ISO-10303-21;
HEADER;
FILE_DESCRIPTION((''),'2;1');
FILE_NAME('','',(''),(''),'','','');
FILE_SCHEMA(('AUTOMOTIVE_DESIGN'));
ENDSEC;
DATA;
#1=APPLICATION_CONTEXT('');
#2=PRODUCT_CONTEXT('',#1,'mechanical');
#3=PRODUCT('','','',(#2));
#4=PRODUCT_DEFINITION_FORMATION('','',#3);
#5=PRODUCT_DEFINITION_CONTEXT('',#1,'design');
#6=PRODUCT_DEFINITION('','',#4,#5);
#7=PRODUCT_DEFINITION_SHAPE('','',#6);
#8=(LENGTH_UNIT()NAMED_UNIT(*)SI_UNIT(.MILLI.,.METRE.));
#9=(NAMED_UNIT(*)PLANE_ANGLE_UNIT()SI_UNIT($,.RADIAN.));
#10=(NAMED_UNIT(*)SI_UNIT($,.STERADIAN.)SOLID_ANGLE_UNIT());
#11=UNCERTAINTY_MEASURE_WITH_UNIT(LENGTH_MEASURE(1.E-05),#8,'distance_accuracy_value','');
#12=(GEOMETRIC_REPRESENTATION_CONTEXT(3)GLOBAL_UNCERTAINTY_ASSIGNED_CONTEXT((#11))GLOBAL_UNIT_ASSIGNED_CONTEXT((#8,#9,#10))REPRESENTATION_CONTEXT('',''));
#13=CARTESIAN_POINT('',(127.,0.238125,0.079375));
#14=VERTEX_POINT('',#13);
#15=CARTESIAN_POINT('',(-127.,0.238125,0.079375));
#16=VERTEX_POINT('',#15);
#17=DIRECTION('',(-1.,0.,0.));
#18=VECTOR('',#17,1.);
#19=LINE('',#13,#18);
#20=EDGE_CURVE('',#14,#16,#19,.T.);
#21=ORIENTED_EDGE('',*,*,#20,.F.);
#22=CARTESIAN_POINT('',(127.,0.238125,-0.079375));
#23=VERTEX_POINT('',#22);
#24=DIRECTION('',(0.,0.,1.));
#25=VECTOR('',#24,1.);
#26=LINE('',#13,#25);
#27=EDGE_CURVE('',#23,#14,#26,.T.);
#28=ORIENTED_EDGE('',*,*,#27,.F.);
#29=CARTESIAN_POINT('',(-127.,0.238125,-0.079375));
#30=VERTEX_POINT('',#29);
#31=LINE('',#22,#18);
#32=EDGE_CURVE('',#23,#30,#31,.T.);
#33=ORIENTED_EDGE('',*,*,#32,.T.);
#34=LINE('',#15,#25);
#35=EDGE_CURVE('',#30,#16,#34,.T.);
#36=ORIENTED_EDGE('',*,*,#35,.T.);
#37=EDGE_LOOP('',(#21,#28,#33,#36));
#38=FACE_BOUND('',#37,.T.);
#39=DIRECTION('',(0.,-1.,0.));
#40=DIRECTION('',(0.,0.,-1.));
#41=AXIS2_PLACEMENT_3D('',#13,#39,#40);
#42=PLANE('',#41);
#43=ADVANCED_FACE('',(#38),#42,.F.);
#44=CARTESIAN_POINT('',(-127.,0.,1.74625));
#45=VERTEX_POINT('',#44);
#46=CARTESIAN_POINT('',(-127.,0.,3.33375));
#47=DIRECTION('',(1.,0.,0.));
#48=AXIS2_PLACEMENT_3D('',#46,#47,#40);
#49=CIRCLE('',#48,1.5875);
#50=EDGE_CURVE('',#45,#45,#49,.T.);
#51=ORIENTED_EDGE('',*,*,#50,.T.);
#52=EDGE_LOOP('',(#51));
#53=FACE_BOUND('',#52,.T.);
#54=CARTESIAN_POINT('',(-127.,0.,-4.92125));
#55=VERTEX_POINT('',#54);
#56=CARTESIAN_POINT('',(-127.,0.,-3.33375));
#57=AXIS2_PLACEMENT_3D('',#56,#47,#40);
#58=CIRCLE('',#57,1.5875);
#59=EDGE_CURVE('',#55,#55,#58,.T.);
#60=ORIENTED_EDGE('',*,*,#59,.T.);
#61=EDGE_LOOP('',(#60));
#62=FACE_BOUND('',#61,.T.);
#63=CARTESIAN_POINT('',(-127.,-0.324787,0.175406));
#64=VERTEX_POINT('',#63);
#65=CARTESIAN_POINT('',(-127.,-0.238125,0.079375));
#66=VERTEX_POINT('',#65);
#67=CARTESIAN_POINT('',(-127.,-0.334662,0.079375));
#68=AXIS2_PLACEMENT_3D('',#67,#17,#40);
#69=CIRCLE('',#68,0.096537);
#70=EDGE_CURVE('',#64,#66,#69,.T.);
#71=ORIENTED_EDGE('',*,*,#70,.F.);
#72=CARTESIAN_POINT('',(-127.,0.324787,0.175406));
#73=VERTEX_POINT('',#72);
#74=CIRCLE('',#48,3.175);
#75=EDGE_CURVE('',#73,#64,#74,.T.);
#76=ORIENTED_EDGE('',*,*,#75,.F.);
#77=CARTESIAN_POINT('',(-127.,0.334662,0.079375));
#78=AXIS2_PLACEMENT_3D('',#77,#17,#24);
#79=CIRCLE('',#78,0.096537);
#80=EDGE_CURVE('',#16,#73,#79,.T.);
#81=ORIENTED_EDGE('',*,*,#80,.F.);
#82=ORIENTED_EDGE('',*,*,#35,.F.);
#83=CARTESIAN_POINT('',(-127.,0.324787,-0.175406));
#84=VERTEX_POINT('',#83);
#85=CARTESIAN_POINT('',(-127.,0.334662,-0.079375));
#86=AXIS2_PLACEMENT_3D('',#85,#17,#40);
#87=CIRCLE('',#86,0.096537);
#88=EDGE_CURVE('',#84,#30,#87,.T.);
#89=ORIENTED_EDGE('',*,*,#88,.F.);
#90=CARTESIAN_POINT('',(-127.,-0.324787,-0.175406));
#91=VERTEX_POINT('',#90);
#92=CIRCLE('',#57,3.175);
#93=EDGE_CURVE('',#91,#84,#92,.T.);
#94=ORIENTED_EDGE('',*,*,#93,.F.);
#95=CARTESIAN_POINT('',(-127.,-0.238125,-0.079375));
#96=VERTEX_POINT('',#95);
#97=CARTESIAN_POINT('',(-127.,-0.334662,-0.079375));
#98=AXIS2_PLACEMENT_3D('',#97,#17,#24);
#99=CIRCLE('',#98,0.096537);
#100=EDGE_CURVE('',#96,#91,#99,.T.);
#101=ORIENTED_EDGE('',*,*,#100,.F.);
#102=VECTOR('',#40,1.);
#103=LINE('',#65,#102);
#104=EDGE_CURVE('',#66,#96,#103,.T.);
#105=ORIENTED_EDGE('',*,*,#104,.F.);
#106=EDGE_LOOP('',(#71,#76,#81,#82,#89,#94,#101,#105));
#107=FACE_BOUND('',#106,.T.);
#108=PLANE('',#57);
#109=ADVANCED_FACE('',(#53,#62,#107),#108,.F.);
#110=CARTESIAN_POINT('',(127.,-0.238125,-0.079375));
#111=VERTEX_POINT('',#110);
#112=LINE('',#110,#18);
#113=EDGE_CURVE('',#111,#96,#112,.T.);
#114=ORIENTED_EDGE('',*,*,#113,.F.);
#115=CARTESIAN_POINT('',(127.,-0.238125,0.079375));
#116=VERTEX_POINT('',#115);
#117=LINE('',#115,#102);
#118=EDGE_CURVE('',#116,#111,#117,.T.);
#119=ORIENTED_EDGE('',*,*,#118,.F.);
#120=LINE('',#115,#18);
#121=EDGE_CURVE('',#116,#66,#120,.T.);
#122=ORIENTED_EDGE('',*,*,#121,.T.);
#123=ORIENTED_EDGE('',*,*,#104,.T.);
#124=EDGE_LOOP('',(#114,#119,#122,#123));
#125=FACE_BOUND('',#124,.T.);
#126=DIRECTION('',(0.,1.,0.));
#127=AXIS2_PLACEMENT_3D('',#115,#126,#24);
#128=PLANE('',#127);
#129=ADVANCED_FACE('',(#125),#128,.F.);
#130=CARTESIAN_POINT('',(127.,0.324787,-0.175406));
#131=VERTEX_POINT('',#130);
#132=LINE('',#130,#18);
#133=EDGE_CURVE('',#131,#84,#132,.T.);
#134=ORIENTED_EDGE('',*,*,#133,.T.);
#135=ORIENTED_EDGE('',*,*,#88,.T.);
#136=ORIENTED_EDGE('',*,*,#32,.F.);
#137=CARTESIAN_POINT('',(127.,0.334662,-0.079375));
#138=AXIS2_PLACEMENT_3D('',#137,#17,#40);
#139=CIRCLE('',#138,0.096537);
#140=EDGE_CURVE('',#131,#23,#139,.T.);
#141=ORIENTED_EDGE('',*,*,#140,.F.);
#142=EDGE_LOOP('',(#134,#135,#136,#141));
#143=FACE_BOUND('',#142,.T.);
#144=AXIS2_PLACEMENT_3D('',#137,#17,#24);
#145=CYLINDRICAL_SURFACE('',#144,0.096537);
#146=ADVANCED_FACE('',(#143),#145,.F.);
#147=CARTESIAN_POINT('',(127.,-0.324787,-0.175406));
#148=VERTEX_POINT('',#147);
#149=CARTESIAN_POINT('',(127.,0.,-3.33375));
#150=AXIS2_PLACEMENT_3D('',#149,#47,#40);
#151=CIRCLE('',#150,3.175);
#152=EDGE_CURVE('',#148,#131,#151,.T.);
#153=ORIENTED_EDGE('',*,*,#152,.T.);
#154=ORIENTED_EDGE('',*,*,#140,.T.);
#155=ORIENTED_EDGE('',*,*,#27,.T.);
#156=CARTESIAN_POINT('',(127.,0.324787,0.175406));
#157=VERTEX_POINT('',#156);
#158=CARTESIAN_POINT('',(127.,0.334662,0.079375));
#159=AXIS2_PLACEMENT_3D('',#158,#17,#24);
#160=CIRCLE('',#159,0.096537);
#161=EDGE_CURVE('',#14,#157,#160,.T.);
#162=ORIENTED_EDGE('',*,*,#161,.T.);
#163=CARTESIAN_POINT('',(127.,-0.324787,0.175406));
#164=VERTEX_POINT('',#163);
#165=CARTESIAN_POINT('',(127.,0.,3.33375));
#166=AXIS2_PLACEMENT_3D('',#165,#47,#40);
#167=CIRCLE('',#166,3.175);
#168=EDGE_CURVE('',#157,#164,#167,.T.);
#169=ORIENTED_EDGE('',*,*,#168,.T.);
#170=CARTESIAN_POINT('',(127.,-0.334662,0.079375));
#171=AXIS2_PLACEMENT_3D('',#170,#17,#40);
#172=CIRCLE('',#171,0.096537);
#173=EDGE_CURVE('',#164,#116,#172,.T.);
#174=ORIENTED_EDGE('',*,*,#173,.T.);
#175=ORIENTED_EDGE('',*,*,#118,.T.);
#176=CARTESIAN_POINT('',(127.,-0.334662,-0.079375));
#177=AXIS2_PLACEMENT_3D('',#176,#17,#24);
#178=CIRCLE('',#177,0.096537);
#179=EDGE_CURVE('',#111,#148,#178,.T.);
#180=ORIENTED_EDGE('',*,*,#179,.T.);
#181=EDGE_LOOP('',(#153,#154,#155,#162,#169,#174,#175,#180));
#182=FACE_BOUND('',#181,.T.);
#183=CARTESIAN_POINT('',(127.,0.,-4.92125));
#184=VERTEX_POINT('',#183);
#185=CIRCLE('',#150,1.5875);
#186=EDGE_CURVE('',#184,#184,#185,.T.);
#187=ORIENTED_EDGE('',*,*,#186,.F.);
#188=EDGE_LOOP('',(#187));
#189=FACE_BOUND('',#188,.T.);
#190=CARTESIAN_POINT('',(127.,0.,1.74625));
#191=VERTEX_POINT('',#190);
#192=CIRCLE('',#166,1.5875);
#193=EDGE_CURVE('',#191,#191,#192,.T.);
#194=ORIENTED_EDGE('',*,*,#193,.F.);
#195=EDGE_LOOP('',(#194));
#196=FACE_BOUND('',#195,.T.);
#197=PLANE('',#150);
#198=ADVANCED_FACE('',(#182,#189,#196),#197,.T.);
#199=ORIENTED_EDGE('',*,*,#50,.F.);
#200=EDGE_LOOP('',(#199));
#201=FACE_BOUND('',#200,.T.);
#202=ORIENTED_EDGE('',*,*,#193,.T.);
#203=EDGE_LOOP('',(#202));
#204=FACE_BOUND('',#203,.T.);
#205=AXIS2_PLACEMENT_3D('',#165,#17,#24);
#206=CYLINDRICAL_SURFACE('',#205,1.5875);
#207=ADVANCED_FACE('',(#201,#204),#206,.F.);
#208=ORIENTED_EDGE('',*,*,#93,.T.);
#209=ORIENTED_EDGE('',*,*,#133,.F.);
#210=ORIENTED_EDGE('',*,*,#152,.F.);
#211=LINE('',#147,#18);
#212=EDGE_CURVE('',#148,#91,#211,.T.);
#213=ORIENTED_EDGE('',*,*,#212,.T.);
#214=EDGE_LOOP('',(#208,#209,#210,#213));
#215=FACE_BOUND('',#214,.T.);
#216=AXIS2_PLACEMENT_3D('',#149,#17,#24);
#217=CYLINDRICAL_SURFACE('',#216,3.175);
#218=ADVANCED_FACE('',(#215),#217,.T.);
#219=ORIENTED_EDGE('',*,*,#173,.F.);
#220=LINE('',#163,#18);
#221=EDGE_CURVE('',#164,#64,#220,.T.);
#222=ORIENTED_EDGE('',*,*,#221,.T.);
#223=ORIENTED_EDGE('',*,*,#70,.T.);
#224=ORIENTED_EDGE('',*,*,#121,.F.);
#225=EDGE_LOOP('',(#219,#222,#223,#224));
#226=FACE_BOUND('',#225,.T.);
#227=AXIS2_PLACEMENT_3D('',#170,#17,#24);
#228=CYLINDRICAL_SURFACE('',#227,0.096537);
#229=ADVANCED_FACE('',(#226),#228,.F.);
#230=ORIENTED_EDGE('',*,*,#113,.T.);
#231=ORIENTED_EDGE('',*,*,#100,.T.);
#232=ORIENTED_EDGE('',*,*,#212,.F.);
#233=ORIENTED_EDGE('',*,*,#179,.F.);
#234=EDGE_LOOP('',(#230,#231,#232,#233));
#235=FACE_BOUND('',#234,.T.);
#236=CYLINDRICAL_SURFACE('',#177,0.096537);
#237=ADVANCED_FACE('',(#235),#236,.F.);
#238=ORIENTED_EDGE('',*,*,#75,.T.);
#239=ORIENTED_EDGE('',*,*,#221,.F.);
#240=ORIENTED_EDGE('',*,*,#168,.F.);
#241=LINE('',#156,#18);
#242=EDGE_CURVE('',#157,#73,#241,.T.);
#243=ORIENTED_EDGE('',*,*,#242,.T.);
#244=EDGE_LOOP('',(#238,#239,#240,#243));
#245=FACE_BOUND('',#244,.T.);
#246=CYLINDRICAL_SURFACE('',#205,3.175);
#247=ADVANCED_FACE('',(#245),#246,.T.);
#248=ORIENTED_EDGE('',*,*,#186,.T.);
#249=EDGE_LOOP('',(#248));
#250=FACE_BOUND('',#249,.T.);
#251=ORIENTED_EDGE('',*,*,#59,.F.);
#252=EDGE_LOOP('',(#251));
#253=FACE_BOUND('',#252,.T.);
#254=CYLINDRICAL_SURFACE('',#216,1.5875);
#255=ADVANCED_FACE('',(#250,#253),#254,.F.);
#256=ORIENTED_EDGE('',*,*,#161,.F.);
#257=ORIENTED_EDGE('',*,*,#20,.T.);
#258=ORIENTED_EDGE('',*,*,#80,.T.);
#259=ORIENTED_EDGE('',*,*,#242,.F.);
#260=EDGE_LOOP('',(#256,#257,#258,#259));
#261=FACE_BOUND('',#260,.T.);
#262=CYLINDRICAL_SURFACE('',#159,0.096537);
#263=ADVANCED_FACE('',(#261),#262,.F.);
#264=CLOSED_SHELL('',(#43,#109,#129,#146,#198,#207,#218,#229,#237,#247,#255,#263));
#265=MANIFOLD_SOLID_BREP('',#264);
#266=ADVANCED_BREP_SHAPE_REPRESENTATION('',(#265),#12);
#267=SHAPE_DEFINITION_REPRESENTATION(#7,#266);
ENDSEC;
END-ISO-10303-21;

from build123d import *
from build123d.topology import SkipClean

# Parameters (mm, degrees)
SKETCH3_R               = 3.175
SKETCH3_R_2             = 1.5875
BOSS_EXTRUDE1_DEPTH     = 127
LPATTERN1_COUNT         = 2
LPATTERN1_PITCH         = 6.6675
BOSS_EXTRUDE2_DEPTH     = 127
CUT_EXTRUDE1_DEPTH      = 128.223842042
CUT_EXTRUDE1_DEPTH_BACK = 128.223842042


with BuildPart() as part:
    # Sketch3 → Boss-Extrude1 (new, symmetric)
    with BuildSketch(Plane(origin=(0, 0, 0), x_dir=(0, 0, -1), z_dir=(1, 0, 0))):
        with Locations((3.33375, 0)):
            Circle(SKETCH3_R)
        with Locations((3.33375, 0)):
            Circle(SKETCH3_R_2, mode=Mode.SUBTRACT)
    extrude(amount=BOSS_EXTRUDE1_DEPTH, both=True)


with BuildPart() as lpattern1_1:
    # LPattern1: pattern copy
    add(part.part.moved(Location(Vector(0, 0, 1) * (1 * LPATTERN1_PITCH))))


with BuildPart() as part_1:
    add(part.part)

    add(lpattern1_1.part)  # Boss-Extrude2 merges LPattern1_1
    # Sketch4 → Boss-Extrude2 (add, symmetric)
    with BuildSketch(Plane(origin=(0, 0, 0), x_dir=(0, 0, -1), z_dir=(1, 0, 0))):
        with BuildLine():
            Line((6.588125, 0.238125), (6.746875, 0.238125))
            ThreePointArc((6.746875, 0.238125), (6.811551474, 0.262993637), (6.842905738, 0.324786885))
            Line((6.842905738, 0.324786885), (6.842905738, -0.324786885))
            ThreePointArc((6.842905738, -0.324786885), (6.811551474, -0.262993637), (6.746875, -0.238125))
            Line((6.746875, -0.238125), (6.588125, -0.238125))
            ThreePointArc((6.588125, -0.238125), (6.523448526, -0.262993637), (6.492094262, -0.324786885))
            Line((6.492094262, -0.324786885), (6.492094262, 0.324786885))
            ThreePointArc((6.492094262, 0.324786885), (6.523448526, 0.262993637), (6.588125, 0.238125))
        make_face()
        with BuildLine():
            Line((0.175405738, 0.324786885), (0.175405738, -0.324786885))
            ThreePointArc((0.175405738, -0.324786885), (0.144051474, -0.262993637), (0.079375, -0.238125))
            Line((0.079375, -0.238125), (-0.079375, -0.238125))
            ThreePointArc((-0.079375, -0.238125), (-0.144051474, -0.262993637), (-0.175405738, -0.324786885))
            Line((-0.175405738, -0.324786885), (-0.175405738, 0.324786885))
            ThreePointArc((-0.175405738, 0.324786885), (-0.144051474, 0.262993637), (-0.079375, 0.238125))
            Line((-0.079375, 0.238125), (0.079375, 0.238125))
            ThreePointArc((0.079375, 0.238125), (0.144051474, 0.262993637), (0.175405738, 0.324786885))
        make_face()
    extrude(amount=BOSS_EXTRUDE2_DEPTH, both=True)

    # Sketch5 → Cut-Extrude1 (cut, two sides: drawn at the far end of the back side and taken through both)
    with SkipClean():  # the faces are left unmerged after this step: merging them gives an invalid solid
        with BuildSketch(Plane(origin=(0, 0, 0), x_dir=(0, 0, -1), z_dir=(1, 0, 0)).offset(-CUT_EXTRUDE1_DEPTH_BACK)):
            with BuildLine():
                Line((6.492094262, 0.324786885), (6.842905738, 0.324786885))
                Line((6.842905738, 0.324786885), (6.842905738, -0.324786885))
                Line((6.842905738, -0.324786885), (6.492094262, -0.324786885))
                ThreePointArc((6.492094262, -0.324786885), (6.50875, 0), (6.492094262, 0.324786885))
            make_face()
        extrude(amount=CUT_EXTRUDE1_DEPTH + CUT_EXTRUDE1_DEPTH_BACK, mode=Mode.SUBTRACT)


solid = part_1.part
